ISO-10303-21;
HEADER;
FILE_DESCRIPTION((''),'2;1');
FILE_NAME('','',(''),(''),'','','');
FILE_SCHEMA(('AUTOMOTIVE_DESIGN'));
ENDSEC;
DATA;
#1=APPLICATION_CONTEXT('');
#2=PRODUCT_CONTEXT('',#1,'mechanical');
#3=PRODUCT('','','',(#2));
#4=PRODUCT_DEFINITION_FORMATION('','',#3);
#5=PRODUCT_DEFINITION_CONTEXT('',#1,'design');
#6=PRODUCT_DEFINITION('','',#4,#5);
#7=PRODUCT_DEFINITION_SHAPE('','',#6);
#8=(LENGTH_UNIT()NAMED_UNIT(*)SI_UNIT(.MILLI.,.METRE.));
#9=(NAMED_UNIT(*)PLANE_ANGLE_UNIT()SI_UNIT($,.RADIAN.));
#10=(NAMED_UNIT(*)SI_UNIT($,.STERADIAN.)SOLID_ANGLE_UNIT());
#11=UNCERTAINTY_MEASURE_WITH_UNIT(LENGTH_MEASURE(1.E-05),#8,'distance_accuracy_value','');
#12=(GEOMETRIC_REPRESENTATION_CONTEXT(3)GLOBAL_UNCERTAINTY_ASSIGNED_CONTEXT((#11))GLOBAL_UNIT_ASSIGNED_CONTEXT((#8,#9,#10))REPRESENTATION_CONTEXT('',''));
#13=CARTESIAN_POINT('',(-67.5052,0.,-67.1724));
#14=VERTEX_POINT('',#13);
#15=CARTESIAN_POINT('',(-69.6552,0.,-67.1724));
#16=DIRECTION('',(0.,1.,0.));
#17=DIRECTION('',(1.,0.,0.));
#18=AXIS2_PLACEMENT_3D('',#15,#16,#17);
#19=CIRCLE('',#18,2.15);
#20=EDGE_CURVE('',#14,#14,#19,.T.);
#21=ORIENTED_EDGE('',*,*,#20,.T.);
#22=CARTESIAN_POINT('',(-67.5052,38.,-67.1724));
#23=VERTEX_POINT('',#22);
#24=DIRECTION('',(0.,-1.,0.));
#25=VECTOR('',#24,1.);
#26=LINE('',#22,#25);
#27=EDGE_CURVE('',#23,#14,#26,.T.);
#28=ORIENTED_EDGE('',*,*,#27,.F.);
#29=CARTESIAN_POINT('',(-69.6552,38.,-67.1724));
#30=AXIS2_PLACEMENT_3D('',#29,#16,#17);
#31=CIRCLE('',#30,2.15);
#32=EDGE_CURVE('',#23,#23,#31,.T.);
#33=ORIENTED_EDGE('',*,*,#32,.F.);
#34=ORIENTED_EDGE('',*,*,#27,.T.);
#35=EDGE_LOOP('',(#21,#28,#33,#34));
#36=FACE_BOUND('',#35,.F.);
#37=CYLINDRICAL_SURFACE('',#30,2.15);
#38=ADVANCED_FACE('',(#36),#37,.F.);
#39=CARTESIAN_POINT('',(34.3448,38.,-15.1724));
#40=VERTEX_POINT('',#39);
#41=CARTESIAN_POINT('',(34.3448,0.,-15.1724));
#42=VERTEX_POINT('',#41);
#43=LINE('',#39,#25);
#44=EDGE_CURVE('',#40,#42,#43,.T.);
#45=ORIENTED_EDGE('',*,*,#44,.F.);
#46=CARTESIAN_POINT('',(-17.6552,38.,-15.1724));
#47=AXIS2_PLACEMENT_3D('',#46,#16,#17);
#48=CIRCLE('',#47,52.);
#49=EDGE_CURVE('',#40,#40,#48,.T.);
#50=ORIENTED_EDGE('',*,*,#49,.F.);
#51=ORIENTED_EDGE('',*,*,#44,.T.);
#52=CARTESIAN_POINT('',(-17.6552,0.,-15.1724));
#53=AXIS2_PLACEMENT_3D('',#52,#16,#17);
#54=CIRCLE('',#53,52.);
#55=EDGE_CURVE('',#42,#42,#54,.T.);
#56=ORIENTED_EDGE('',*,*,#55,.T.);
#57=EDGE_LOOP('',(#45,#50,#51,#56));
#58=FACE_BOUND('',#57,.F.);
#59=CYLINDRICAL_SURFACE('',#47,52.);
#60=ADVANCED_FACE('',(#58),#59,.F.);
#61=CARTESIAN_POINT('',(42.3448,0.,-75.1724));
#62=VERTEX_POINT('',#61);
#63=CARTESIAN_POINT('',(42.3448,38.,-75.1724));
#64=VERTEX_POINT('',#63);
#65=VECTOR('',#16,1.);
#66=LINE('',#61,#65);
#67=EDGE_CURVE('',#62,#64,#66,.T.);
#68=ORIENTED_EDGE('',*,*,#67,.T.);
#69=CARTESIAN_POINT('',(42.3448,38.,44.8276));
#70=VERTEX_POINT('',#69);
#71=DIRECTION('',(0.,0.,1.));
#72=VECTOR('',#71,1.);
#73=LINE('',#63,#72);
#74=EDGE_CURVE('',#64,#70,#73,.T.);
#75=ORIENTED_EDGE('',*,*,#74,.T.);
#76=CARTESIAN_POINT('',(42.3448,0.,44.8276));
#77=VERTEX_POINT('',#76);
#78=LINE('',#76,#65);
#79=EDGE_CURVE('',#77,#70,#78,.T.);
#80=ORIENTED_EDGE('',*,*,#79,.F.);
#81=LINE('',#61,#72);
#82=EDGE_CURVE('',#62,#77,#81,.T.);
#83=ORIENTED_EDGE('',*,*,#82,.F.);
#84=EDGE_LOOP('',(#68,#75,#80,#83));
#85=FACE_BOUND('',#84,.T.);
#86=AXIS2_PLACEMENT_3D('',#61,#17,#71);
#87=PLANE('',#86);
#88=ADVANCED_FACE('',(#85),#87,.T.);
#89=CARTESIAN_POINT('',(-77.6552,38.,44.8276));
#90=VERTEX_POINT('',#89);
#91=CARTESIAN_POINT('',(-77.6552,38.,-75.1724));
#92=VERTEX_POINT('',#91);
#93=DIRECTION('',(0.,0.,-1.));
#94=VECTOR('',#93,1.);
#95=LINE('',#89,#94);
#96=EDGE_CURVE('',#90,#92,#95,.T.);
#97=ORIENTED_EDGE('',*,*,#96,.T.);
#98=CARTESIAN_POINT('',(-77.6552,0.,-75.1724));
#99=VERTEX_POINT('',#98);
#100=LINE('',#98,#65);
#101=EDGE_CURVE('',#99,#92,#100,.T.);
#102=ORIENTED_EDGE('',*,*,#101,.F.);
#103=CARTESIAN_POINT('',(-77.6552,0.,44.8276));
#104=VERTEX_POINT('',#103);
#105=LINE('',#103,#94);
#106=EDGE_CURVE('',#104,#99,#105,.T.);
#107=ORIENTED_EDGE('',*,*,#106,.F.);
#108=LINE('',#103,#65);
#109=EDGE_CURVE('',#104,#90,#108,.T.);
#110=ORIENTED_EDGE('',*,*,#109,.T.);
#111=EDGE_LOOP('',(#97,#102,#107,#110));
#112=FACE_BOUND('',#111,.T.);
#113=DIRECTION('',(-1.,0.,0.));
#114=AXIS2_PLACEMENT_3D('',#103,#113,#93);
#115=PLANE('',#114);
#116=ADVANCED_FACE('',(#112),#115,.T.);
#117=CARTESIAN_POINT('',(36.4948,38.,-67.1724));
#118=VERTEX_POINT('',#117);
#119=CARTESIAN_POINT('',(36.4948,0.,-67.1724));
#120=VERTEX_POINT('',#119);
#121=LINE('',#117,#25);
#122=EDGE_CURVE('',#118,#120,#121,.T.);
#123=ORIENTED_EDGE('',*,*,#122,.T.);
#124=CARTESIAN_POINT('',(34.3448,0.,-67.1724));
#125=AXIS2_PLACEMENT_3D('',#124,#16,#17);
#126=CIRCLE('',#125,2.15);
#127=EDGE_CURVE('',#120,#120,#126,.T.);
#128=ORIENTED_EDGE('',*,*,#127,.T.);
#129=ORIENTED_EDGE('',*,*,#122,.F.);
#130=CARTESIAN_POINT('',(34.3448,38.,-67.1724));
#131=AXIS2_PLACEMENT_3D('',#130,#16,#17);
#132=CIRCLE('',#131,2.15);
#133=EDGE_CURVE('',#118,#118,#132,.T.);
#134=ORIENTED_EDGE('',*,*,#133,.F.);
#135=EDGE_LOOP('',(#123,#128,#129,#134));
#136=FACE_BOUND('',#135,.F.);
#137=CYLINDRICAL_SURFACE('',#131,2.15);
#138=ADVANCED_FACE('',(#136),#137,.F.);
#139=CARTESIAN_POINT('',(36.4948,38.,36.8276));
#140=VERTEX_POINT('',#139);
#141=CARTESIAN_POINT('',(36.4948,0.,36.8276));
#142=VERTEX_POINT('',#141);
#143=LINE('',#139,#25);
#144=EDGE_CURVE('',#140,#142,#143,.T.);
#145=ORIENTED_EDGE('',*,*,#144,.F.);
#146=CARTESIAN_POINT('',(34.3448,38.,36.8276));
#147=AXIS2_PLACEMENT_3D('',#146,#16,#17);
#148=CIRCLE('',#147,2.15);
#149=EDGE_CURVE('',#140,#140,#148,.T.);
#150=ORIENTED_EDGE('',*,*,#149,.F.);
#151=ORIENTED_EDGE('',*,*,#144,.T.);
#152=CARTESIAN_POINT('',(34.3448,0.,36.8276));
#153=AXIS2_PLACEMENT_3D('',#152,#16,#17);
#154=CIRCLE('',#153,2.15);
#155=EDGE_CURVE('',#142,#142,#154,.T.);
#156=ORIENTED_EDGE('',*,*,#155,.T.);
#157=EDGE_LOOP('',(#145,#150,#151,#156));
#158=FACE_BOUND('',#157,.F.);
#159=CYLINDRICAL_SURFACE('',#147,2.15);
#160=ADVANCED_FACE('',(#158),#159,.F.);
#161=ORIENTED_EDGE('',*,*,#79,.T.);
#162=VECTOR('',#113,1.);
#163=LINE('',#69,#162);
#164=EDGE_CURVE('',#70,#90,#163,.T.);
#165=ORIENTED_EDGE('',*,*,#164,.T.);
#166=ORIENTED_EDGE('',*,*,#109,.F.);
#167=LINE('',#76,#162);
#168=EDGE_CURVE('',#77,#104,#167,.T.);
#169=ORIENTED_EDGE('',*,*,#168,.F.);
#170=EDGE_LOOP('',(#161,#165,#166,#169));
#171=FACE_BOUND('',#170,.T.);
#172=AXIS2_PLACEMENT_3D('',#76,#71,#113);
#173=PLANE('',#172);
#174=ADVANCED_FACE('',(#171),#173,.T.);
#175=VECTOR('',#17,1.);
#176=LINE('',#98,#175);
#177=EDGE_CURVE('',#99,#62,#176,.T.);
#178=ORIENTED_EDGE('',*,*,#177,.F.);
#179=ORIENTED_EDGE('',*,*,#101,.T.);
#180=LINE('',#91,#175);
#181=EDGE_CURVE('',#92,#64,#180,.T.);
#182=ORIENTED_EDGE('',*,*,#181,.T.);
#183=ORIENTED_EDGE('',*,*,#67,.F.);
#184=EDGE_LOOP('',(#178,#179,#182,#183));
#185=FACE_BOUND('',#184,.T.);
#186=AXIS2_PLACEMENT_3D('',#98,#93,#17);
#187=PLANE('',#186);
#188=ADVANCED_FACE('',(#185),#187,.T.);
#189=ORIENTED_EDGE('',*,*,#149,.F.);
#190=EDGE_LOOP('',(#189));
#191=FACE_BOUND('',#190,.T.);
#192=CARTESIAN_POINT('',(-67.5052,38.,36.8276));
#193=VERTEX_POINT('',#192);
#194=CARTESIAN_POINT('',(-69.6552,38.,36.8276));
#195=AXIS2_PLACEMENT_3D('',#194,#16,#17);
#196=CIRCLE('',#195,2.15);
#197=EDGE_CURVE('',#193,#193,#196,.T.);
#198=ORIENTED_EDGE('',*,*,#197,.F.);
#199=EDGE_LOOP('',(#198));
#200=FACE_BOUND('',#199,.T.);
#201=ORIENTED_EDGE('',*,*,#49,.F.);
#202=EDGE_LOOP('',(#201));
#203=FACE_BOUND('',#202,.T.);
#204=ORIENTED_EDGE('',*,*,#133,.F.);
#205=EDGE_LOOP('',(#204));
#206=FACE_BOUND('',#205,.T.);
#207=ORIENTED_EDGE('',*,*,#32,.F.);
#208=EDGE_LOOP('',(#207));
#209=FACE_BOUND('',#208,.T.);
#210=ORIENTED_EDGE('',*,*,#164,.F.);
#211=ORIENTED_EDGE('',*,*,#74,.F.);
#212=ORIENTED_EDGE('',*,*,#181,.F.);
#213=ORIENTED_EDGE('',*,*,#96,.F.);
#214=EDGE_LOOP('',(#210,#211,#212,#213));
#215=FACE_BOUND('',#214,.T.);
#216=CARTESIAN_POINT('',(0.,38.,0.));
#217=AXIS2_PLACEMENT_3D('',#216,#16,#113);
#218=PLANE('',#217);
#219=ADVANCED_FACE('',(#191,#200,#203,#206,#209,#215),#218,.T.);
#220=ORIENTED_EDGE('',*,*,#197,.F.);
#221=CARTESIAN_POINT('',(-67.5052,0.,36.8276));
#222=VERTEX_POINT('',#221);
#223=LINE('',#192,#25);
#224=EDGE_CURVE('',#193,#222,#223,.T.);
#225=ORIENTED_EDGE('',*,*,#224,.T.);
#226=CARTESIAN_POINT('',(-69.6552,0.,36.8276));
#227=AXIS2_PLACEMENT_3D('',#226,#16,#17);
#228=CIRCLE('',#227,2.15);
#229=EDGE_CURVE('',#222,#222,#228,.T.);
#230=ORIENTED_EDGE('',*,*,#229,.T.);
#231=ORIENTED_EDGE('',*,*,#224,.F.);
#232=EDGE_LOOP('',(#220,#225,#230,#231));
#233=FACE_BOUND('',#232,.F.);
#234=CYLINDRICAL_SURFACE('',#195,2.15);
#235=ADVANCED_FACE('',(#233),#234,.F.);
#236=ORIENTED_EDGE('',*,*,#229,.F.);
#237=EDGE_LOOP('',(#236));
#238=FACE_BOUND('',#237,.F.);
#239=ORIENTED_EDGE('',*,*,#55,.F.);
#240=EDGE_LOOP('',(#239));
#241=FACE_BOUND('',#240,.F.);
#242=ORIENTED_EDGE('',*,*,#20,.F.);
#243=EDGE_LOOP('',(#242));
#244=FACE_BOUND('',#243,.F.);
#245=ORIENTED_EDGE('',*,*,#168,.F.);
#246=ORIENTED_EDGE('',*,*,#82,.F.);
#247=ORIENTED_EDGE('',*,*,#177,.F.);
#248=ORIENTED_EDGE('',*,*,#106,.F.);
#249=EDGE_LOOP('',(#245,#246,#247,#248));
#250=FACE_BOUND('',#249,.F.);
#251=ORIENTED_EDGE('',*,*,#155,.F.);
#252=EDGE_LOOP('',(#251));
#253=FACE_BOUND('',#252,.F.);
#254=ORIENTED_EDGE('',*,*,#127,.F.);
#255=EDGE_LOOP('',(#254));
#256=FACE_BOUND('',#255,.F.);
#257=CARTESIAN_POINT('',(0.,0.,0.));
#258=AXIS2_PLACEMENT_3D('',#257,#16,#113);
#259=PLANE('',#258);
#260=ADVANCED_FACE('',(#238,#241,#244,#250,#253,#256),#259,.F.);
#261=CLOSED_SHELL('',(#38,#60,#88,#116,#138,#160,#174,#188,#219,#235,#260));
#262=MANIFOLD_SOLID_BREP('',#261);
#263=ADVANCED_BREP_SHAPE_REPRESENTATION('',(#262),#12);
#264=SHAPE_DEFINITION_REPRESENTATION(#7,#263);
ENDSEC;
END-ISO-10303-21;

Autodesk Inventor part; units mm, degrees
ref_plane "YZ Plane" through (0, 0, 0) normal (1, 0, 0) x (0, 1, 0)
ref_plane "XZ Plane" through (0, 0, 0) normal (0, 1, 0) x (-1, 0, 0)
ref_plane "XY Plane" through (0, 0, 0) normal (0, 0, 1) x (1, 0, 0)
sketch "Sketch1" plane through (0, 0, 0) normal (0, 1, 0) x (-1, 0, 0)
  line L0 (-42.3448, 44.8276) -> (77.6552, 44.8276)
  line L1 (77.6552, 44.8276) -> (77.6552, -75.1724)
  line L2 (77.6552, -75.1724) -> (-42.3448, -75.1724)
  line L3 (-42.3448, -75.1724) -> (-42.3448, 44.8276)
  point P0 (0, 0)
  dimension "d0" = 120
  dimension "d1" = 120
extrude "Extrusion1" add sketch "Sketch1" along normal blind 38
sketch "Sketch2" plane through (0, 38, 0) normal (0, 1, 0) x (1, 0, 0)
  line L0 (42.3448, -44.8276) -> (42.3448, 75.1724) projected
  line L1 (42.3448, 75.1724) -> (-77.6552, 75.1724) projected
  line L2 (-77.6552, 75.1724) -> (-77.6552, -44.8276) projected
  circle A0 centre (-17.6552, 15.1724) radius 52
  circle A1 centre (-69.6552, 67.1724) radius 2.15
  circle A2 centre (34.3448, 67.1724) radius 2.15
  circle A3 centre (34.3448, -36.8276) radius 2.15
  circle A4 centre (-69.6552, -36.8276) radius 2.15
  point P0 (0, 0)
  dimension "d4" = 104
  dimension "d5" = 60
  dimension "d6" = 60
  dimension "d7" = 4.3
  dimension "d8" = 4.3
  dimension "d9" = 4.3
  dimension "d10" = 4.3
  dimension "d11" = 104
  dimension "d12" = 104
  dimension "d13" = 104
  dimension "d14" = 104
  dimension "d15" = 8
  dimension "d16" = 8
  dimension "d17" = 8
  dimension "d18" = 8
extrude "Extrusion2" cut sketch "Sketch2" against normal blind 38
properties part number "Fan"
